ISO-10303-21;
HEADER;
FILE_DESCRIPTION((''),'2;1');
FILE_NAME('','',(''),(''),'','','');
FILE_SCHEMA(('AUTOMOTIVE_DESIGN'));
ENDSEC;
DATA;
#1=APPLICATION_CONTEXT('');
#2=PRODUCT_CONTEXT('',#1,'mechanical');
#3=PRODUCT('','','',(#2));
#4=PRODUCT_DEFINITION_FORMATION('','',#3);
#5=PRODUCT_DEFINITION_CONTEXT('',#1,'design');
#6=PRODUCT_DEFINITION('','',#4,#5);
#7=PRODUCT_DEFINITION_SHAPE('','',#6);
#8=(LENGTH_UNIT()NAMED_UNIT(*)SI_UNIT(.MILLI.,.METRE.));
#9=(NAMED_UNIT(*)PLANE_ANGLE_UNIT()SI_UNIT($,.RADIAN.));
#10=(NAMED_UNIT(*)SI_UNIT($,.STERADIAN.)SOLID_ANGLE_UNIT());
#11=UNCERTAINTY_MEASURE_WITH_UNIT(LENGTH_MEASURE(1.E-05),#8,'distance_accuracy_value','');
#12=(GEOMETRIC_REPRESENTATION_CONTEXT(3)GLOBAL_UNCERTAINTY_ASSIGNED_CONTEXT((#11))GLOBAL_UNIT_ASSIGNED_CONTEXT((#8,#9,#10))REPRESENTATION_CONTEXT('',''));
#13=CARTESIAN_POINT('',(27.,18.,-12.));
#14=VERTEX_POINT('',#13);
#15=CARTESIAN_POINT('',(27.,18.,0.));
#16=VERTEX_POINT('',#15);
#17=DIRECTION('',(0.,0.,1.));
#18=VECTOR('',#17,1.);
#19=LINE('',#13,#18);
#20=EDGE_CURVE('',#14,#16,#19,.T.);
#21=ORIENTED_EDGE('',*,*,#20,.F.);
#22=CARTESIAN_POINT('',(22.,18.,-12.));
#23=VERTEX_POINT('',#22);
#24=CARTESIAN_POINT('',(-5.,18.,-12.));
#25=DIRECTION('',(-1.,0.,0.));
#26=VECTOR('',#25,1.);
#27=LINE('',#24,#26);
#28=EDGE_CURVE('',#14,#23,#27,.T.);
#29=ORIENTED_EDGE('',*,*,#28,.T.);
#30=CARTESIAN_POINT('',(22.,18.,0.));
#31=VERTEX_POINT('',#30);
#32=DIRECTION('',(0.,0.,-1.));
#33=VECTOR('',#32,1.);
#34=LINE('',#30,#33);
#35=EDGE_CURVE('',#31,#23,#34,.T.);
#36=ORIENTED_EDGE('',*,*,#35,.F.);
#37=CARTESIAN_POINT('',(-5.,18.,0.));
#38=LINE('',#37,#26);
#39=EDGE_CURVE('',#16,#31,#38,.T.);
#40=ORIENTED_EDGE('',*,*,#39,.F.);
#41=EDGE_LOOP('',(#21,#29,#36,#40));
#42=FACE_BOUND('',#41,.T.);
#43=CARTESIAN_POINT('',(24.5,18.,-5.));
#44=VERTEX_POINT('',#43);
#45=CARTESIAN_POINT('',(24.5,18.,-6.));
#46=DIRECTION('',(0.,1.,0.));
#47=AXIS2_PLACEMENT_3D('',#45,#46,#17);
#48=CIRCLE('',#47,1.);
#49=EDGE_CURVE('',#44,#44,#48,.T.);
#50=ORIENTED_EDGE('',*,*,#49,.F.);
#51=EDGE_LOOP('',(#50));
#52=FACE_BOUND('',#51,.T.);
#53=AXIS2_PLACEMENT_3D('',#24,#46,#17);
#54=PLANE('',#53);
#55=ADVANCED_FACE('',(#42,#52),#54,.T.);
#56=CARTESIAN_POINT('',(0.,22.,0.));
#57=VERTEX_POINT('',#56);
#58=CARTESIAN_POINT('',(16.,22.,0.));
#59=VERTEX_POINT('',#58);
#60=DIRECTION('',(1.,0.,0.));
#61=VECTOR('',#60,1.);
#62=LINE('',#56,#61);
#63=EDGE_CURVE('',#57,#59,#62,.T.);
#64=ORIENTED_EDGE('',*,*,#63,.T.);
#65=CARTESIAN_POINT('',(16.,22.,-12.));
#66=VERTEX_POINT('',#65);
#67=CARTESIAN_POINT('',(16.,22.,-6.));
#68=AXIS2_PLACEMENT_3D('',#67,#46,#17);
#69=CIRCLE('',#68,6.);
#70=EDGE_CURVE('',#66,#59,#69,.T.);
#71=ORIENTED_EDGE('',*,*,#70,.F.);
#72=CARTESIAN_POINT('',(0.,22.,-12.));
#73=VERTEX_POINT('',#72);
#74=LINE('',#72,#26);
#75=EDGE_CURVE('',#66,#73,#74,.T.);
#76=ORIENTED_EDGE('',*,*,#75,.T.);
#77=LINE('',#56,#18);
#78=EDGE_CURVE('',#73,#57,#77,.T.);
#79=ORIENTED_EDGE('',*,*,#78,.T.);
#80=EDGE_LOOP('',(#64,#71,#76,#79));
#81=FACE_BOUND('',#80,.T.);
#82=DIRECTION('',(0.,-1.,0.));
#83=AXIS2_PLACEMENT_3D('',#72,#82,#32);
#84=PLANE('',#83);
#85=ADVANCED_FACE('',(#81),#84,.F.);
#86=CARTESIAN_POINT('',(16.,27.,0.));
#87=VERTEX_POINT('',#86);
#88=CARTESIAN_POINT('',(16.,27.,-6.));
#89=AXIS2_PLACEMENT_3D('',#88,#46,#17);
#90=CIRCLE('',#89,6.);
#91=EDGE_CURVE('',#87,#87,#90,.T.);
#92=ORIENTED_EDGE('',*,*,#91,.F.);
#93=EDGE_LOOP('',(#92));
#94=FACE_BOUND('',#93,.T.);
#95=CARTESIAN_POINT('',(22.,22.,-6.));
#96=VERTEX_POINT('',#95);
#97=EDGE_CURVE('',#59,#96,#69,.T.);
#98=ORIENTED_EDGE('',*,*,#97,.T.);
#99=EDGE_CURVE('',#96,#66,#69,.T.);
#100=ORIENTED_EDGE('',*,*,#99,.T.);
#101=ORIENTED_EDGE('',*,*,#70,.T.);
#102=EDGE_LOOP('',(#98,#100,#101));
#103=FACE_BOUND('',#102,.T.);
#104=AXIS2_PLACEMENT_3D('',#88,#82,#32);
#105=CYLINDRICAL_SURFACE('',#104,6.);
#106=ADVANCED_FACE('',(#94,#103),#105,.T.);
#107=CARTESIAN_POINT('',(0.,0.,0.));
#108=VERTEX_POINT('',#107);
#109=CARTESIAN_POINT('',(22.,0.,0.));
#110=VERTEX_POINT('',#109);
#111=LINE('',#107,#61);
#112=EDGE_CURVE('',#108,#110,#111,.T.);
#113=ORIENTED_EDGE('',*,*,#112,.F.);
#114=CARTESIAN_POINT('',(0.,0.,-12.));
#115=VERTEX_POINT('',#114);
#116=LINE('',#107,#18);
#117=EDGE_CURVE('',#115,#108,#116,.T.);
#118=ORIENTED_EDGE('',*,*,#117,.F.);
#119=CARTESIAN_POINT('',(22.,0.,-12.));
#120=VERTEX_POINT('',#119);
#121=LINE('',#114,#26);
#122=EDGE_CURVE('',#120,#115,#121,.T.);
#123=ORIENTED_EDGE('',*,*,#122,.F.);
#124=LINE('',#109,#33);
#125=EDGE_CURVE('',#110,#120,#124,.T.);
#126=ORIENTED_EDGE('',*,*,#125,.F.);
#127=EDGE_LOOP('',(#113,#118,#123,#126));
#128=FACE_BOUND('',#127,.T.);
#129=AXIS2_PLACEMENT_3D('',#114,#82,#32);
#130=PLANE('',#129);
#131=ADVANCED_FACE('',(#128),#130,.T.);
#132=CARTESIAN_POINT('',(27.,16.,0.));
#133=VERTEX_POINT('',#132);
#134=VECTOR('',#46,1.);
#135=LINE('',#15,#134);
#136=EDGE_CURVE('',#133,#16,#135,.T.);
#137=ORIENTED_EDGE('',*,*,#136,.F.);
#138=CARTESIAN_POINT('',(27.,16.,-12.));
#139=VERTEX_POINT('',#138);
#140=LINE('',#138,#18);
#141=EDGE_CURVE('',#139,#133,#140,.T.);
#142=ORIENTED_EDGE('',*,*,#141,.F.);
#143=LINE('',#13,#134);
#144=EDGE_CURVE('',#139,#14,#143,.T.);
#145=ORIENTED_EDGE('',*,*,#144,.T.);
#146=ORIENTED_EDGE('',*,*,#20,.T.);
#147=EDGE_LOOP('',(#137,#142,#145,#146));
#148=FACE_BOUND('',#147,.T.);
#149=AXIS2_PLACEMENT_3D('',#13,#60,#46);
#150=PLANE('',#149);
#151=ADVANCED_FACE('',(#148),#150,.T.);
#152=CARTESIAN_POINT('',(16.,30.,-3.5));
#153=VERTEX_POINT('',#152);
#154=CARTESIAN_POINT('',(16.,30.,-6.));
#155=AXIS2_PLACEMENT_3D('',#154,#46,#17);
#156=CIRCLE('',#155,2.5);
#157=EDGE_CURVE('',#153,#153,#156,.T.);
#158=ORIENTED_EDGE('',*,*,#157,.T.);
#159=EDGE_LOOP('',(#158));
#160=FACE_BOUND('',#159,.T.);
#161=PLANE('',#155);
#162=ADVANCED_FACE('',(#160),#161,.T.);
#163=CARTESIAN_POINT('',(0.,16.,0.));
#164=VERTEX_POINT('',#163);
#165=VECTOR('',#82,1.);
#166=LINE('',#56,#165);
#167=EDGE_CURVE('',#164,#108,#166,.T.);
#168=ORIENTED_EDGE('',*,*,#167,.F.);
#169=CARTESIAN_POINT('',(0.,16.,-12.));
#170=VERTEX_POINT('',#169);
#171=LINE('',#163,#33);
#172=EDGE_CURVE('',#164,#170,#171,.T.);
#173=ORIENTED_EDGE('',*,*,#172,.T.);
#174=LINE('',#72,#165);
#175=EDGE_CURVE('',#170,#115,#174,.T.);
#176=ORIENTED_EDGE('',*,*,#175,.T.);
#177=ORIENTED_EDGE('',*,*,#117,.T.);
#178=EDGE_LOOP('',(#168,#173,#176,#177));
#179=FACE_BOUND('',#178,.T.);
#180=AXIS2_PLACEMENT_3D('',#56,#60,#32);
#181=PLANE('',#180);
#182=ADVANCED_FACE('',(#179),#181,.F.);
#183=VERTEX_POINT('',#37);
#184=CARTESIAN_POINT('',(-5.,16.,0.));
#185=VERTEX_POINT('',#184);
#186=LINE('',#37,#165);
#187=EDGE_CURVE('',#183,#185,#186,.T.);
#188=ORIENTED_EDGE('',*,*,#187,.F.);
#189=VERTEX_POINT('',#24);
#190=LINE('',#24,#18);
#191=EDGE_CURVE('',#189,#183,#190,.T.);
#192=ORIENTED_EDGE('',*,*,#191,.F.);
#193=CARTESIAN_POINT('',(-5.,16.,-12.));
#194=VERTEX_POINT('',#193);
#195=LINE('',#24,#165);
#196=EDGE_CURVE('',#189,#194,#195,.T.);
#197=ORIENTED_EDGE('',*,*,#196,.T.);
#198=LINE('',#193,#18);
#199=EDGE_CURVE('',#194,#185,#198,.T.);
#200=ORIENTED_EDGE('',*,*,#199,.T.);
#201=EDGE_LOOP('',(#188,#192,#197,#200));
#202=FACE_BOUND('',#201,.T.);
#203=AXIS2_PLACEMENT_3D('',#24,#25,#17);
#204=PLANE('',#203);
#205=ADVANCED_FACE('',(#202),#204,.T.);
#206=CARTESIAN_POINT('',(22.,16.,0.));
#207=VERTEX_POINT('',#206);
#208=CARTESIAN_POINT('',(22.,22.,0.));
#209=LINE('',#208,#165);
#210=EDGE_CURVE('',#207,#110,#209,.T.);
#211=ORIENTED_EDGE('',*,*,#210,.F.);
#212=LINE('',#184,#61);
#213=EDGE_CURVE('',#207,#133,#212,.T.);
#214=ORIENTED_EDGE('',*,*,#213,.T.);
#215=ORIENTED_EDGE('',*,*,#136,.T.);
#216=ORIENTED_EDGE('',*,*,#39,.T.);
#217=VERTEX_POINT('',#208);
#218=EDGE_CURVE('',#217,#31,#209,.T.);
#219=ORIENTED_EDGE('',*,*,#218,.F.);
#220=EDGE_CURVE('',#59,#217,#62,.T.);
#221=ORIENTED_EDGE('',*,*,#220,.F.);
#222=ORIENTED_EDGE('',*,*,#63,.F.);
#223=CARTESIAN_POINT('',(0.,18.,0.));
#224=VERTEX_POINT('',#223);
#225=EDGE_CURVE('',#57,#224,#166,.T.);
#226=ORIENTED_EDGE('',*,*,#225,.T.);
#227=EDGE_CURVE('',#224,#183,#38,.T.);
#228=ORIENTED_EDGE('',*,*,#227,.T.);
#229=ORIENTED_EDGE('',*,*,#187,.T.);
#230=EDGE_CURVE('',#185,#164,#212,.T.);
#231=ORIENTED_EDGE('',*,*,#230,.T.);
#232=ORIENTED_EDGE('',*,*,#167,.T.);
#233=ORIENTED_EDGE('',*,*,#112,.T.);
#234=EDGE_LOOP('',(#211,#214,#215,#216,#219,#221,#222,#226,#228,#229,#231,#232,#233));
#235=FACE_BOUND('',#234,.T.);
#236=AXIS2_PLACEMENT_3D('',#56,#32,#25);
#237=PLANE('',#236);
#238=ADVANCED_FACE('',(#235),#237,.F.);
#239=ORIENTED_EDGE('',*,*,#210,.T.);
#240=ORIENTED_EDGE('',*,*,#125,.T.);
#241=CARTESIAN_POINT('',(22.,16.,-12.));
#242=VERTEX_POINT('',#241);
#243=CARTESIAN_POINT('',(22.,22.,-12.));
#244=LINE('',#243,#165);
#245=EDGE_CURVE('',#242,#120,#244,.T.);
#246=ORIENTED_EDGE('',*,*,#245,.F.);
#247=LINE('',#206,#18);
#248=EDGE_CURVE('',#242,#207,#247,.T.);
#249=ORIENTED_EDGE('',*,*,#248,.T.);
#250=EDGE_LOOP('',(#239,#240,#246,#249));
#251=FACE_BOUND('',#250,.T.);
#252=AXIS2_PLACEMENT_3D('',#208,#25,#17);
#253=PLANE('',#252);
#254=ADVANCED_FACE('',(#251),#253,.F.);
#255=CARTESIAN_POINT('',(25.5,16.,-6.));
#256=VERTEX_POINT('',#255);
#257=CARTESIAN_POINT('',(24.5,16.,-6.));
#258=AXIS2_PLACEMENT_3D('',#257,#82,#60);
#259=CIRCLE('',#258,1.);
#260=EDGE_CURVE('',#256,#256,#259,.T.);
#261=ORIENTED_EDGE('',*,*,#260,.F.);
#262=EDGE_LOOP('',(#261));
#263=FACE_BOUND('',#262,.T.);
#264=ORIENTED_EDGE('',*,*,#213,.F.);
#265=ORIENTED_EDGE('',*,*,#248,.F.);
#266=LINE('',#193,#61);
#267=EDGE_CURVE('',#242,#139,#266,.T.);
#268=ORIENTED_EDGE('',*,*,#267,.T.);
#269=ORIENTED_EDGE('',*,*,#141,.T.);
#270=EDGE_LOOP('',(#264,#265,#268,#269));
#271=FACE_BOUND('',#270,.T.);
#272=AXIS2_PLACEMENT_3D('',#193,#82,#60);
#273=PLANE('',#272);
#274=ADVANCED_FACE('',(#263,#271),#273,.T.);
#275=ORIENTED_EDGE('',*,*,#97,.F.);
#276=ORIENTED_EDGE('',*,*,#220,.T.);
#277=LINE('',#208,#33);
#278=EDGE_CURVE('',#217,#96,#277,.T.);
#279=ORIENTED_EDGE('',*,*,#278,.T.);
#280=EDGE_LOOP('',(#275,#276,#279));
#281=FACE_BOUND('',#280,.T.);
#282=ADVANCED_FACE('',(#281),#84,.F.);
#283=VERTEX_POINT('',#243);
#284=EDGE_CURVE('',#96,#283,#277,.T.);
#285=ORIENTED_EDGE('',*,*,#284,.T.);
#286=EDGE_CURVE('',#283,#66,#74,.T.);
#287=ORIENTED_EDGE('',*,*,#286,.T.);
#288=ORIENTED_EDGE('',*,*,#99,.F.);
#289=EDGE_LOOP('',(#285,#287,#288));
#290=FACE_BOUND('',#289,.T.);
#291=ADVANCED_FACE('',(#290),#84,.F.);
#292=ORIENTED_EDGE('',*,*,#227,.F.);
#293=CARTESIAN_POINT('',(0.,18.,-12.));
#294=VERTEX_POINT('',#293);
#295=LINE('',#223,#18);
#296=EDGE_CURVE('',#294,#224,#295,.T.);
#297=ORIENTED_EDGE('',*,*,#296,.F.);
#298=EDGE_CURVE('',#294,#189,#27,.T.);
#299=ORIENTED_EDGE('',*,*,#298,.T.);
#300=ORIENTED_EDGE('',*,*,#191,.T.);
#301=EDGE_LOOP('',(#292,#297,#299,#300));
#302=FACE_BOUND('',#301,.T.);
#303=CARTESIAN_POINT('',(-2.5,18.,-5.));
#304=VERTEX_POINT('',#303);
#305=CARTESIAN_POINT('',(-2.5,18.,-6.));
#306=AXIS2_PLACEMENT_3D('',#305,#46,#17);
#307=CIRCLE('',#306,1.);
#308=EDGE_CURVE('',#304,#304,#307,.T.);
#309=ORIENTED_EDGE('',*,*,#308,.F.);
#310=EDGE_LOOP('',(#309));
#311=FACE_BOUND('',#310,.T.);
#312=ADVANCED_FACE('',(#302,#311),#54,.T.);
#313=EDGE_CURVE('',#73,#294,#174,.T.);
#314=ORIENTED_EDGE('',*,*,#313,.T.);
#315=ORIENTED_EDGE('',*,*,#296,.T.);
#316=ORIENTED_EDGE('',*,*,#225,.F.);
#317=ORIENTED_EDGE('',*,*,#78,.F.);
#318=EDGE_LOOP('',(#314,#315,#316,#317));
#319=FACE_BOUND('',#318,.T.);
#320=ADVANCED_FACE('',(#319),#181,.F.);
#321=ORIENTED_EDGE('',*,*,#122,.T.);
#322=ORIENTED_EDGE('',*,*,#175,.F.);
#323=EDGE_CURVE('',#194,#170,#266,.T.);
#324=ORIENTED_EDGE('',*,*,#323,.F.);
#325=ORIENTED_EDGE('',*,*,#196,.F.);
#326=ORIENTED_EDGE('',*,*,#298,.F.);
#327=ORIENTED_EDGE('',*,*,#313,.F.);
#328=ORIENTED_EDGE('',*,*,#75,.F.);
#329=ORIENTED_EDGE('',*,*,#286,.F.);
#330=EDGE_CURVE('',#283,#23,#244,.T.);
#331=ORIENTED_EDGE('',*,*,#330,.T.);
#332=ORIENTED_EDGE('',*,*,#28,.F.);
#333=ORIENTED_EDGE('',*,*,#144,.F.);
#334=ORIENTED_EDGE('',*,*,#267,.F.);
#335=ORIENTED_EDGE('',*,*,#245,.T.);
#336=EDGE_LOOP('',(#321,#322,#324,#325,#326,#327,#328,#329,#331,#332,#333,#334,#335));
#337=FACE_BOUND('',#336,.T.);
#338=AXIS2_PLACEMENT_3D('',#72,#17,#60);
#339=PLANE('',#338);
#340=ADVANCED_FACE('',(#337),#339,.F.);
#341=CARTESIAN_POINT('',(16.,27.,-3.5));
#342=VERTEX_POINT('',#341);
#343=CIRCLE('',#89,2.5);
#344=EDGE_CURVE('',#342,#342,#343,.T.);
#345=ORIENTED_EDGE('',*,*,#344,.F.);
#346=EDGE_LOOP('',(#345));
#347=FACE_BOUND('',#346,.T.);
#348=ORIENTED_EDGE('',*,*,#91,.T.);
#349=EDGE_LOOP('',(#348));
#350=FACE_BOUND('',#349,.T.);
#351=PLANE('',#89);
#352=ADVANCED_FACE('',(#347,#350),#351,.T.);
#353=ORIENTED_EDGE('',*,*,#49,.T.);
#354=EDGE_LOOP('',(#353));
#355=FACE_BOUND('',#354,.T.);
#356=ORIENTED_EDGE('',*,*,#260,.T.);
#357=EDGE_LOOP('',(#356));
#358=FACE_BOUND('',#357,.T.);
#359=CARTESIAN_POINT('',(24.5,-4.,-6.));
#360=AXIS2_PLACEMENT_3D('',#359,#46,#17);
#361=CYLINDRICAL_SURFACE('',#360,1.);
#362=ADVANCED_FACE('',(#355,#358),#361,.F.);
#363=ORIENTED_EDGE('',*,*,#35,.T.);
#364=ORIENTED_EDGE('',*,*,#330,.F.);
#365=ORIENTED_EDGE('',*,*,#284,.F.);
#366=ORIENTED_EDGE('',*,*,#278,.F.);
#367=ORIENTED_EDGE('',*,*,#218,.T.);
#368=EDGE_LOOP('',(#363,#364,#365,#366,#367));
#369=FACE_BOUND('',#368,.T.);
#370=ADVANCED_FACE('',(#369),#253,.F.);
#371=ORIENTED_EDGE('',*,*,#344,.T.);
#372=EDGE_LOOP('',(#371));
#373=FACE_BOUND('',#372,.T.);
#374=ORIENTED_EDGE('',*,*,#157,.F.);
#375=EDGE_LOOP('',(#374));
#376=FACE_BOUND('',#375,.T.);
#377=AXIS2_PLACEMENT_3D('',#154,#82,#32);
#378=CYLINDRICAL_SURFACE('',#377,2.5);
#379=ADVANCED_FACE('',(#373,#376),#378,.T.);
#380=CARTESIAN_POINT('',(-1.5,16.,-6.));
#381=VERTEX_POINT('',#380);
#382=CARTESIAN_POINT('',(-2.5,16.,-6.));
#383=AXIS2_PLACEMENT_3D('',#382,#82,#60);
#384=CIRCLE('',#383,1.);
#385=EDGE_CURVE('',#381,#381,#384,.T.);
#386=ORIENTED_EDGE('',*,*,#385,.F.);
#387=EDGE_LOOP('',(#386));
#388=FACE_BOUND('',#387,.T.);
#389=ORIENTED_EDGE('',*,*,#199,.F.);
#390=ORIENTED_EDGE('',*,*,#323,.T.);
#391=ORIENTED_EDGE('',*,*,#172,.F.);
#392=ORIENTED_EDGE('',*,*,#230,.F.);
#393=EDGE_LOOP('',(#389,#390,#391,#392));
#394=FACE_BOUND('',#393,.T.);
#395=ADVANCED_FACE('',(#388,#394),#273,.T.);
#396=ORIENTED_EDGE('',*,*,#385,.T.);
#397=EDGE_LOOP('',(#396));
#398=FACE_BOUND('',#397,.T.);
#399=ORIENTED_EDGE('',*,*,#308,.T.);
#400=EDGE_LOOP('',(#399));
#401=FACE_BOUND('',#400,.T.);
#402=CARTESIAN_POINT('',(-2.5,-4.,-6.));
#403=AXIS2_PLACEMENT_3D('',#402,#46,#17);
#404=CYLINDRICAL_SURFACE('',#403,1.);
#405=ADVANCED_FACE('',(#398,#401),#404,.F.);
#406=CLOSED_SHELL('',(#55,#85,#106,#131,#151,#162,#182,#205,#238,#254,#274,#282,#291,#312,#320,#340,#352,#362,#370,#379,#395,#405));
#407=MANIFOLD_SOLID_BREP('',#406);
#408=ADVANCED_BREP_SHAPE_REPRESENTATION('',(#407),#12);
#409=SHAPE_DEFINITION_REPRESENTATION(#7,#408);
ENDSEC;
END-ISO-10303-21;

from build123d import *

# Parameters (mm, degrees)
SKETCH1_W           = 22
SKETCH1_H           = 12
BOSS_EXTRUDE1_DEPTH = 22
SKETCH2_W           = 32
SKETCH2_H           = 2
BOSS_EXTRUDE2_DEPTH = 12
SKETCH3_R           = 1
CUT_EXTRUDE1_DEPTH  = 22
SKETCH5_R           = 6
BOSS_EXTRUDE3_DEPTH = 5
SKETCH6_R           = 2.5
BOSS_EXTRUDE4_DEPTH = 3


with BuildPart() as part:
    # Sketch1 → Boss-Extrude1 (new body)
    with BuildSketch(Plane(origin=(0, 0, 0), x_dir=(1, 0, 0), z_dir=(0, 1, 0))):
        with Locations((11, 6)):
            Rectangle(SKETCH1_W, SKETCH1_H)
    extrude(amount=BOSS_EXTRUDE1_DEPTH)

    # Sketch2 → Boss-Extrude2 (add, through all)
    with BuildSketch(Plane.XY):
        with Locations((11, 17)):
            Rectangle(SKETCH2_W, SKETCH2_H)
    extrude(amount=-BOSS_EXTRUDE2_DEPTH)

    # Sketch3 → Cut-Extrude1 (cut)
    with BuildSketch(Plane(origin=(0, 18, 0), x_dir=(1, 0, 0), z_dir=(0, 1, 0))):
        with Locations(Location((-2.5, 6, 0), (0, 0, 270))):
            Circle(SKETCH3_R)
        with Locations(Location((24.5, 6, 0), (0, 0, 270))):
            Circle(SKETCH3_R)
    extrude(amount=-CUT_EXTRUDE1_DEPTH, mode=Mode.SUBTRACT)

    # Sketch5 → Boss-Extrude3 (add)
    with BuildSketch(Plane(origin=(0, 22, 0), x_dir=(1, 0, 0), z_dir=(0, 1, 0))):
        with Locations(Location((16, 6, 0), (0, 0, 270))):
            Circle(SKETCH5_R)
    extrude(amount=BOSS_EXTRUDE3_DEPTH)

    # Sketch6 → Boss-Extrude4 (add)
    with BuildSketch(Plane(origin=(0, 27, 0), x_dir=(1, 0, 0), z_dir=(0, 1, 0))):
        with Locations(Location((16, 6, 0), (0, 0, 270))):
            Circle(SKETCH6_R)
    extrude(amount=BOSS_EXTRUDE4_DEPTH)


solid = part.part
